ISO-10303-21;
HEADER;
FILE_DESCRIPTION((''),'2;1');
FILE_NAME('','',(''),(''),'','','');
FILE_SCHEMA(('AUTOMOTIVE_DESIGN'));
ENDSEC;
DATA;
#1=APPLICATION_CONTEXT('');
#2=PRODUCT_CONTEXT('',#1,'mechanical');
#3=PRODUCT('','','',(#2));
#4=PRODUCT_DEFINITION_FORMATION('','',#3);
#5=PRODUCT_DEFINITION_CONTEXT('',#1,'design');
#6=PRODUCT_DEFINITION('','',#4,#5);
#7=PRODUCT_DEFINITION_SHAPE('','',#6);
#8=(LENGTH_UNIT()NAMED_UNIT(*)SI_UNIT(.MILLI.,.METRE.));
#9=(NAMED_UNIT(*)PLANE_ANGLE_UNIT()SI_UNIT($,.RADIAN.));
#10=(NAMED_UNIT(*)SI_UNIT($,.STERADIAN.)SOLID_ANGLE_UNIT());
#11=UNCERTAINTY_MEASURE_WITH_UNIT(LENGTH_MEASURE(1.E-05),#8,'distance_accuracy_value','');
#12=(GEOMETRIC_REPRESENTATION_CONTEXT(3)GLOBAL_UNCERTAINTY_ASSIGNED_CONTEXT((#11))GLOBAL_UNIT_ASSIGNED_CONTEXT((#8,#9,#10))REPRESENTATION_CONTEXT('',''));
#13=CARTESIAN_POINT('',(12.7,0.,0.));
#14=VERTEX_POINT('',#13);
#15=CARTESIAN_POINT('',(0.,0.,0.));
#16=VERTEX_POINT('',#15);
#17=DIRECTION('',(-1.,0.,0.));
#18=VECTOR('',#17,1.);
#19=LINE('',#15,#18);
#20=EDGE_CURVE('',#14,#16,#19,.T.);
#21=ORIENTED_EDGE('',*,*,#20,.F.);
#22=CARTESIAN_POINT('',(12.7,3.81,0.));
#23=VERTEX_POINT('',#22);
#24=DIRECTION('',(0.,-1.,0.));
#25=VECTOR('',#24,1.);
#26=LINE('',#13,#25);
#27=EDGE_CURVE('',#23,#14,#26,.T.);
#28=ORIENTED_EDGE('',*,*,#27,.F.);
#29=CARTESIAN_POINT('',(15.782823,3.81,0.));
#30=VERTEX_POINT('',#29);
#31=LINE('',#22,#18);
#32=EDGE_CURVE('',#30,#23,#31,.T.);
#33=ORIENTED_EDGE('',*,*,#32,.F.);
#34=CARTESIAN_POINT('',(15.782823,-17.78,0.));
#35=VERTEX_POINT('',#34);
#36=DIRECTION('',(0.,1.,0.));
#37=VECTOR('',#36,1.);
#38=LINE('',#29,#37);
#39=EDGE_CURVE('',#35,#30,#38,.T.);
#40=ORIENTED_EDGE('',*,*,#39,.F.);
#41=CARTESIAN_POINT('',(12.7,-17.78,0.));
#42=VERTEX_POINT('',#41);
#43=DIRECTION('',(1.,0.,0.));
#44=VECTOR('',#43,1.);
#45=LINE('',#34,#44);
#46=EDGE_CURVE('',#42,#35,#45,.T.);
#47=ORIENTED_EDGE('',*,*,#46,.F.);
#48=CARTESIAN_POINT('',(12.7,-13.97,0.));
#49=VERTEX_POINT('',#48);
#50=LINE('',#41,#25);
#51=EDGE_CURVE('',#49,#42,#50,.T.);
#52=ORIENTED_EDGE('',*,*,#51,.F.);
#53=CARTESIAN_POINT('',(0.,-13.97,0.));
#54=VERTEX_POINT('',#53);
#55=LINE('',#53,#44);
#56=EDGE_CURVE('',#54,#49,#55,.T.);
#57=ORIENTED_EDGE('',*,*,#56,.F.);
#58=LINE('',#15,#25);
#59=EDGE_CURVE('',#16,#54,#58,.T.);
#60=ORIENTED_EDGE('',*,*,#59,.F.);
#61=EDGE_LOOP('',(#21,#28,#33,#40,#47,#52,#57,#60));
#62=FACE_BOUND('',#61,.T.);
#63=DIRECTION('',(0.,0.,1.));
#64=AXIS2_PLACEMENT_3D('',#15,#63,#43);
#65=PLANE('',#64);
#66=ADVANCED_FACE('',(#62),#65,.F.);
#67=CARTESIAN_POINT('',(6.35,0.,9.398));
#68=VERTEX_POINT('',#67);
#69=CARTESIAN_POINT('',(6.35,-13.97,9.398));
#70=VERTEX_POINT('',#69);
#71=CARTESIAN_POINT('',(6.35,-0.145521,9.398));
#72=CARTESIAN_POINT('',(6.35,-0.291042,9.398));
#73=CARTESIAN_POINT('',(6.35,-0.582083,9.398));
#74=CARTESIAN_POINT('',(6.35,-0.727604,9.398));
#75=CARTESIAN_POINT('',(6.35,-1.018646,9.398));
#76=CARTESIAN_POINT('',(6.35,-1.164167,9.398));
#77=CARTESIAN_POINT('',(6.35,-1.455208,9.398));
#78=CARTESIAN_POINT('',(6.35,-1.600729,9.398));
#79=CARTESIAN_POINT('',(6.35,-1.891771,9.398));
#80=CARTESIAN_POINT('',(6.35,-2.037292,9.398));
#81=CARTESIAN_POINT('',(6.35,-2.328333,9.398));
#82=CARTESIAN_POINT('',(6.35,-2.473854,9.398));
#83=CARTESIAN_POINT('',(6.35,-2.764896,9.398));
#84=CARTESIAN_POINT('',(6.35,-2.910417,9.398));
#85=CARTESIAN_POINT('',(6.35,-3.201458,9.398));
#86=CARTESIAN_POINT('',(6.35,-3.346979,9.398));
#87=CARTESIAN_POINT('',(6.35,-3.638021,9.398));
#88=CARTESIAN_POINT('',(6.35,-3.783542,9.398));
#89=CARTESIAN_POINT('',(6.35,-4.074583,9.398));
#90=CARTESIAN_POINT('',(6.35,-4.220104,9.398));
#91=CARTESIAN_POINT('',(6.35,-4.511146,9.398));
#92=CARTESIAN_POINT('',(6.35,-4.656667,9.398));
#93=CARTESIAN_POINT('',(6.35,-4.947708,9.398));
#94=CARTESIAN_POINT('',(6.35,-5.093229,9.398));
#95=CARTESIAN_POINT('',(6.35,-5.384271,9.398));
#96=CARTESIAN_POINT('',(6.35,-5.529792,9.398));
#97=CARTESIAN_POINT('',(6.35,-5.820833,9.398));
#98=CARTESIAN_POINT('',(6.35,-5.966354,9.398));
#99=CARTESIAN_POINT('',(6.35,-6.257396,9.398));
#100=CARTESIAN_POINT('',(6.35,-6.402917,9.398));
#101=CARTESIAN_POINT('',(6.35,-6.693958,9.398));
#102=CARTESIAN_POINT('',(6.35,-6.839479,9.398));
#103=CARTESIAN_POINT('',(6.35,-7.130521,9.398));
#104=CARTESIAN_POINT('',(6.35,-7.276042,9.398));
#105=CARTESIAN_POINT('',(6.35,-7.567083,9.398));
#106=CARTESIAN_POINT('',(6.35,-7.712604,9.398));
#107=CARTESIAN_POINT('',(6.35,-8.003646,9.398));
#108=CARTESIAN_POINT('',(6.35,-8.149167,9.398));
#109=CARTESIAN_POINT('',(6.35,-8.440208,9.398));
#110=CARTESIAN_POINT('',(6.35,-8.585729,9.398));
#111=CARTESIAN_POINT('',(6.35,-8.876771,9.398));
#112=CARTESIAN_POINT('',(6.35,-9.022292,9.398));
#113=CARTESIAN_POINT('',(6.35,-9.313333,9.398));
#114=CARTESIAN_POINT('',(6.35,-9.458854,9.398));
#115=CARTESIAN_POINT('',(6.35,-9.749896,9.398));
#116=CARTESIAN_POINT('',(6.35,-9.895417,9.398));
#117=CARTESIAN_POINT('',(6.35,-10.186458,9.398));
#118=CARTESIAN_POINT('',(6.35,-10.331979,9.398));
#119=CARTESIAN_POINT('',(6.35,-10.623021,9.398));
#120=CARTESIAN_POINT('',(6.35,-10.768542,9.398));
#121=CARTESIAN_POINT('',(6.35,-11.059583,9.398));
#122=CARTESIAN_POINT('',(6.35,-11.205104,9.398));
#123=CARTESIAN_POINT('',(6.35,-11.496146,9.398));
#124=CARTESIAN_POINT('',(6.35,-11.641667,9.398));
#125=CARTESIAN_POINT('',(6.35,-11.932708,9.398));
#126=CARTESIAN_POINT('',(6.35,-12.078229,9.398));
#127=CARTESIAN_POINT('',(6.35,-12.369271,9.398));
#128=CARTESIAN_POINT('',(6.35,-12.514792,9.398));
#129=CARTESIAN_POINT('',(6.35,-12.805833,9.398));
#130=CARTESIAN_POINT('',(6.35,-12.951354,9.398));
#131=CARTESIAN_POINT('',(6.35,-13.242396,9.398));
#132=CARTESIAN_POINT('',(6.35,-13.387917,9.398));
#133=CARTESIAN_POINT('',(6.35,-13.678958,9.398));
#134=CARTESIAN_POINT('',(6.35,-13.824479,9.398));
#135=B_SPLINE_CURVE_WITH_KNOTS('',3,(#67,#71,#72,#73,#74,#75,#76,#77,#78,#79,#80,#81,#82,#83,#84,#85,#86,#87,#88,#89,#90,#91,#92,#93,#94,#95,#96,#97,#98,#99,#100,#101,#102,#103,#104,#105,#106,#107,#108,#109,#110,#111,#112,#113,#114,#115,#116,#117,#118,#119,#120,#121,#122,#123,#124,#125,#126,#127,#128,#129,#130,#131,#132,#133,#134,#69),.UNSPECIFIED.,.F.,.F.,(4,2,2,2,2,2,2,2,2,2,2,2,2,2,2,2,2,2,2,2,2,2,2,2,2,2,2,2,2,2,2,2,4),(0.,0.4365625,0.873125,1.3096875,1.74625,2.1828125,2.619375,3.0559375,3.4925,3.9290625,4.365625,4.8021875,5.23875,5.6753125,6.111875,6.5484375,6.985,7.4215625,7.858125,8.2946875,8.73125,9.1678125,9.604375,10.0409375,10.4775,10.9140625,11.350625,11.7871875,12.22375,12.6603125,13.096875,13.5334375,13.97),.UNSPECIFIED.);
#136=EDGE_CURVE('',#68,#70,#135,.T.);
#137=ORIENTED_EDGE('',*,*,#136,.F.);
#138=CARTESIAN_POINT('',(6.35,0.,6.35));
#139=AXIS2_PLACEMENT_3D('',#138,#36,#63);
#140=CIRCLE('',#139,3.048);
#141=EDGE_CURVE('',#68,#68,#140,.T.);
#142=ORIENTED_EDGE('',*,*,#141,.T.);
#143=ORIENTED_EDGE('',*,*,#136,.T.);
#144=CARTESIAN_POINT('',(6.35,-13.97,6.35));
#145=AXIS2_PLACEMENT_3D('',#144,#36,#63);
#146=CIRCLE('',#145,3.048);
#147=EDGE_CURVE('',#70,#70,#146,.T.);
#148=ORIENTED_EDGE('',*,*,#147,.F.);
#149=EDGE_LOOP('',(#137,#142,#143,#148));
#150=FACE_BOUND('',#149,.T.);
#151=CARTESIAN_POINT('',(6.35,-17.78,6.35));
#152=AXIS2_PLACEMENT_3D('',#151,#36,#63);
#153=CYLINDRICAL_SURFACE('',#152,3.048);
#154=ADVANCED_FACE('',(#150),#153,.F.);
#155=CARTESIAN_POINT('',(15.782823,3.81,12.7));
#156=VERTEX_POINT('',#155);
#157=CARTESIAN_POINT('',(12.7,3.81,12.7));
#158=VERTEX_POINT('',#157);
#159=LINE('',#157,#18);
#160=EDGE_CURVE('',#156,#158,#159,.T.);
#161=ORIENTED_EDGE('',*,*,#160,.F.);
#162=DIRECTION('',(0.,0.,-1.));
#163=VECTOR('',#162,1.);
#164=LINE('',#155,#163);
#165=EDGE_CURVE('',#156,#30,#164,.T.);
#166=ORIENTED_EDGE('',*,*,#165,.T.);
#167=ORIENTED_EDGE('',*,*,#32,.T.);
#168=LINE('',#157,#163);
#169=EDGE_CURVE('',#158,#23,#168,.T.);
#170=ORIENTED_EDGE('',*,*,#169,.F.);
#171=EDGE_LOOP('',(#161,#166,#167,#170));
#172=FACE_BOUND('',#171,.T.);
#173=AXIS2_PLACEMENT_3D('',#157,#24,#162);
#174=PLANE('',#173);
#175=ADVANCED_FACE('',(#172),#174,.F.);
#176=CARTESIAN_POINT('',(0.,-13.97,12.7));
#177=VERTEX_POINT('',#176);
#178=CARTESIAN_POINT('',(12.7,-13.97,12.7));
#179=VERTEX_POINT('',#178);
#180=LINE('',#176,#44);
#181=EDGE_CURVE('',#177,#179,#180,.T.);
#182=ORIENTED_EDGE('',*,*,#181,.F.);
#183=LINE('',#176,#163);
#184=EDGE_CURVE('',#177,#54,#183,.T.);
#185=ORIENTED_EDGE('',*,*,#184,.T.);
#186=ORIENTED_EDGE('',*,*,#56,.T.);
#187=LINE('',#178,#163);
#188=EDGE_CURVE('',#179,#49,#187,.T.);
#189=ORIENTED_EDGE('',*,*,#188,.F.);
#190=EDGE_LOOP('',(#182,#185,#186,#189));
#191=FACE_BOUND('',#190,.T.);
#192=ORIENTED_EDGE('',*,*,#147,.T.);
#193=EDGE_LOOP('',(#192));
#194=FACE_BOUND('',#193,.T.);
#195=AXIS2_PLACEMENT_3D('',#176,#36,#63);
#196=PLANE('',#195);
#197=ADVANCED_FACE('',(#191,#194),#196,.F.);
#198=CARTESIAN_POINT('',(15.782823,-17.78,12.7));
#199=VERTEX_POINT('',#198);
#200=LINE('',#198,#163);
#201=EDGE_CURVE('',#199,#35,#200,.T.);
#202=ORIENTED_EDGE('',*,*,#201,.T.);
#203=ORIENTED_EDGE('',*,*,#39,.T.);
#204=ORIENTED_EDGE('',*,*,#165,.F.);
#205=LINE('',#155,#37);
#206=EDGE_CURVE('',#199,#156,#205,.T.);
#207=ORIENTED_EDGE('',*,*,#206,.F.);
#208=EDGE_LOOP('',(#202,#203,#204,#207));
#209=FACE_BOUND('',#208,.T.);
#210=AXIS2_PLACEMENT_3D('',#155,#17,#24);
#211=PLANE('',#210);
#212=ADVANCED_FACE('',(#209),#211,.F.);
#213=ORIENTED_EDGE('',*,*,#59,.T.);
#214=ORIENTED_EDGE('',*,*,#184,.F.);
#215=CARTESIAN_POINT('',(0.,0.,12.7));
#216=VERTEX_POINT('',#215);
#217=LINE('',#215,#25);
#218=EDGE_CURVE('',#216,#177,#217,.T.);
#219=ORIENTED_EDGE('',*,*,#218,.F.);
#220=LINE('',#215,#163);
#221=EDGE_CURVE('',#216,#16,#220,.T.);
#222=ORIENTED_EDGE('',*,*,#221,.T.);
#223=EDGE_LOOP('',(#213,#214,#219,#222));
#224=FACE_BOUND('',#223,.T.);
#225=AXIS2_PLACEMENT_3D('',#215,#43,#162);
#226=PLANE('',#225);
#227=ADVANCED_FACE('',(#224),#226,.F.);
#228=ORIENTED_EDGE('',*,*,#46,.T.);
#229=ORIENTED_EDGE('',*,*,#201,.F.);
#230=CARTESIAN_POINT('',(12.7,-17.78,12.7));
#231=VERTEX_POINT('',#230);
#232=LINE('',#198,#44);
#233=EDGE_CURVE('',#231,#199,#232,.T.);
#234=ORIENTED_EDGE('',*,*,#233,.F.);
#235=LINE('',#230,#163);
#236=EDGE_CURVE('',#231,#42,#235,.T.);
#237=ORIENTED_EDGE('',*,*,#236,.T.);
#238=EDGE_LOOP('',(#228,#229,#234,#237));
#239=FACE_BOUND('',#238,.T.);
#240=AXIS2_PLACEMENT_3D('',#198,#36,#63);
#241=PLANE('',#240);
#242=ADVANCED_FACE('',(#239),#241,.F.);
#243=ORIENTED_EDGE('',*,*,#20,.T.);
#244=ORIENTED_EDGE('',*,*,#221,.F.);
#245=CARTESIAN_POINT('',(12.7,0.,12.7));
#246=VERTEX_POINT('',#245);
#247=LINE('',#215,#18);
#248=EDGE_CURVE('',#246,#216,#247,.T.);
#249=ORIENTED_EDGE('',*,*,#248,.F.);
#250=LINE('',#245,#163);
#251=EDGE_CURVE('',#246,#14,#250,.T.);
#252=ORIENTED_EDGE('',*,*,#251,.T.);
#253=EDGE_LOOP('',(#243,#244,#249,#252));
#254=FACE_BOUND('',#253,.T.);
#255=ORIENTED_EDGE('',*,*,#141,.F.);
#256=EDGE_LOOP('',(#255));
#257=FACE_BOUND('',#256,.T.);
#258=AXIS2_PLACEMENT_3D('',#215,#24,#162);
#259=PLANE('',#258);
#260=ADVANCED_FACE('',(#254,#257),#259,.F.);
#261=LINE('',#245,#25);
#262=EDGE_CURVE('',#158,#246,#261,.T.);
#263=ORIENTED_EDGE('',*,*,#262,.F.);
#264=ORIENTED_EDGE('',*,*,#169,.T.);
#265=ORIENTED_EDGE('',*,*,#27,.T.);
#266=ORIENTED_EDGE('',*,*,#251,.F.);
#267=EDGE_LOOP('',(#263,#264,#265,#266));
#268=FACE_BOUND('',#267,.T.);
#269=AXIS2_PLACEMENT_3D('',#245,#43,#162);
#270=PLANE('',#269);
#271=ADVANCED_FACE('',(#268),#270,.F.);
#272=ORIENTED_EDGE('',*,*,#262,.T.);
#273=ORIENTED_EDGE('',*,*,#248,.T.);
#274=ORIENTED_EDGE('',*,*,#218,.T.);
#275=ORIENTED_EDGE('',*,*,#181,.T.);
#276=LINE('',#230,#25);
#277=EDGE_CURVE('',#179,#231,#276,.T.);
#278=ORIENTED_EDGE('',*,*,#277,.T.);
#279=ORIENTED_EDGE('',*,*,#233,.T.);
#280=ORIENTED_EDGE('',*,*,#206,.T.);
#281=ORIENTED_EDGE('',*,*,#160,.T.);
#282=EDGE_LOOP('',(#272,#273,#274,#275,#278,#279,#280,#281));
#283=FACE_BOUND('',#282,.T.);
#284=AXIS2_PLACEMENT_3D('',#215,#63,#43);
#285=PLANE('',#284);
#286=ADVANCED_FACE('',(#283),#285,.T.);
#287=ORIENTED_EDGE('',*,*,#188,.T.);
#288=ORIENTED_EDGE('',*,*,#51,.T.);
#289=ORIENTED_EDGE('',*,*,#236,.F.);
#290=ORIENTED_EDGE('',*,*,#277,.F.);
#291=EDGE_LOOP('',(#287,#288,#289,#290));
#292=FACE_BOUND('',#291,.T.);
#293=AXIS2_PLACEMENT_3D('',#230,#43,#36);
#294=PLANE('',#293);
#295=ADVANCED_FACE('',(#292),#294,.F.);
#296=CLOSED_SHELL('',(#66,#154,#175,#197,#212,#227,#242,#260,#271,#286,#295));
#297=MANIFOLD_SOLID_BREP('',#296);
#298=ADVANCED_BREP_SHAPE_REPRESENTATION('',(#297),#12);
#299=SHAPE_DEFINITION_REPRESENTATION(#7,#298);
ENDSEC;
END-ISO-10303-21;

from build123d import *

# Parameters (mm, degrees)
BOSS_EXTRUDE1_DEPTH = 12.7
SKETCH3_R           = 3.048
CUT_EXTRUDE1_DEPTH  = 17.78


with BuildPart() as part:
    # Sketch2 → Boss-Extrude1 (new body)
    with BuildSketch(Plane.XY):
        Polygon((12.7, 0), (12.7, 3.81), (15.782823405, 3.81), (15.782823405, -17.78), (12.7, -17.78), (12.7, -13.97), (0, -13.97), (0, 0), align=None)
    extrude(amount=BOSS_EXTRUDE1_DEPTH)

    # Sketch3 → Cut-Extrude1 (cut)
    with BuildSketch(Plane(origin=(0, 0, 0), x_dir=(1, 0, 0), z_dir=(0, 1, 0))):
        with Locations(Location((6.35, -6.35, 0), (0, 0, 270))):
            Circle(SKETCH3_R)
    extrude(amount=-CUT_EXTRUDE1_DEPTH, mode=Mode.SUBTRACT)


solid = part.part
